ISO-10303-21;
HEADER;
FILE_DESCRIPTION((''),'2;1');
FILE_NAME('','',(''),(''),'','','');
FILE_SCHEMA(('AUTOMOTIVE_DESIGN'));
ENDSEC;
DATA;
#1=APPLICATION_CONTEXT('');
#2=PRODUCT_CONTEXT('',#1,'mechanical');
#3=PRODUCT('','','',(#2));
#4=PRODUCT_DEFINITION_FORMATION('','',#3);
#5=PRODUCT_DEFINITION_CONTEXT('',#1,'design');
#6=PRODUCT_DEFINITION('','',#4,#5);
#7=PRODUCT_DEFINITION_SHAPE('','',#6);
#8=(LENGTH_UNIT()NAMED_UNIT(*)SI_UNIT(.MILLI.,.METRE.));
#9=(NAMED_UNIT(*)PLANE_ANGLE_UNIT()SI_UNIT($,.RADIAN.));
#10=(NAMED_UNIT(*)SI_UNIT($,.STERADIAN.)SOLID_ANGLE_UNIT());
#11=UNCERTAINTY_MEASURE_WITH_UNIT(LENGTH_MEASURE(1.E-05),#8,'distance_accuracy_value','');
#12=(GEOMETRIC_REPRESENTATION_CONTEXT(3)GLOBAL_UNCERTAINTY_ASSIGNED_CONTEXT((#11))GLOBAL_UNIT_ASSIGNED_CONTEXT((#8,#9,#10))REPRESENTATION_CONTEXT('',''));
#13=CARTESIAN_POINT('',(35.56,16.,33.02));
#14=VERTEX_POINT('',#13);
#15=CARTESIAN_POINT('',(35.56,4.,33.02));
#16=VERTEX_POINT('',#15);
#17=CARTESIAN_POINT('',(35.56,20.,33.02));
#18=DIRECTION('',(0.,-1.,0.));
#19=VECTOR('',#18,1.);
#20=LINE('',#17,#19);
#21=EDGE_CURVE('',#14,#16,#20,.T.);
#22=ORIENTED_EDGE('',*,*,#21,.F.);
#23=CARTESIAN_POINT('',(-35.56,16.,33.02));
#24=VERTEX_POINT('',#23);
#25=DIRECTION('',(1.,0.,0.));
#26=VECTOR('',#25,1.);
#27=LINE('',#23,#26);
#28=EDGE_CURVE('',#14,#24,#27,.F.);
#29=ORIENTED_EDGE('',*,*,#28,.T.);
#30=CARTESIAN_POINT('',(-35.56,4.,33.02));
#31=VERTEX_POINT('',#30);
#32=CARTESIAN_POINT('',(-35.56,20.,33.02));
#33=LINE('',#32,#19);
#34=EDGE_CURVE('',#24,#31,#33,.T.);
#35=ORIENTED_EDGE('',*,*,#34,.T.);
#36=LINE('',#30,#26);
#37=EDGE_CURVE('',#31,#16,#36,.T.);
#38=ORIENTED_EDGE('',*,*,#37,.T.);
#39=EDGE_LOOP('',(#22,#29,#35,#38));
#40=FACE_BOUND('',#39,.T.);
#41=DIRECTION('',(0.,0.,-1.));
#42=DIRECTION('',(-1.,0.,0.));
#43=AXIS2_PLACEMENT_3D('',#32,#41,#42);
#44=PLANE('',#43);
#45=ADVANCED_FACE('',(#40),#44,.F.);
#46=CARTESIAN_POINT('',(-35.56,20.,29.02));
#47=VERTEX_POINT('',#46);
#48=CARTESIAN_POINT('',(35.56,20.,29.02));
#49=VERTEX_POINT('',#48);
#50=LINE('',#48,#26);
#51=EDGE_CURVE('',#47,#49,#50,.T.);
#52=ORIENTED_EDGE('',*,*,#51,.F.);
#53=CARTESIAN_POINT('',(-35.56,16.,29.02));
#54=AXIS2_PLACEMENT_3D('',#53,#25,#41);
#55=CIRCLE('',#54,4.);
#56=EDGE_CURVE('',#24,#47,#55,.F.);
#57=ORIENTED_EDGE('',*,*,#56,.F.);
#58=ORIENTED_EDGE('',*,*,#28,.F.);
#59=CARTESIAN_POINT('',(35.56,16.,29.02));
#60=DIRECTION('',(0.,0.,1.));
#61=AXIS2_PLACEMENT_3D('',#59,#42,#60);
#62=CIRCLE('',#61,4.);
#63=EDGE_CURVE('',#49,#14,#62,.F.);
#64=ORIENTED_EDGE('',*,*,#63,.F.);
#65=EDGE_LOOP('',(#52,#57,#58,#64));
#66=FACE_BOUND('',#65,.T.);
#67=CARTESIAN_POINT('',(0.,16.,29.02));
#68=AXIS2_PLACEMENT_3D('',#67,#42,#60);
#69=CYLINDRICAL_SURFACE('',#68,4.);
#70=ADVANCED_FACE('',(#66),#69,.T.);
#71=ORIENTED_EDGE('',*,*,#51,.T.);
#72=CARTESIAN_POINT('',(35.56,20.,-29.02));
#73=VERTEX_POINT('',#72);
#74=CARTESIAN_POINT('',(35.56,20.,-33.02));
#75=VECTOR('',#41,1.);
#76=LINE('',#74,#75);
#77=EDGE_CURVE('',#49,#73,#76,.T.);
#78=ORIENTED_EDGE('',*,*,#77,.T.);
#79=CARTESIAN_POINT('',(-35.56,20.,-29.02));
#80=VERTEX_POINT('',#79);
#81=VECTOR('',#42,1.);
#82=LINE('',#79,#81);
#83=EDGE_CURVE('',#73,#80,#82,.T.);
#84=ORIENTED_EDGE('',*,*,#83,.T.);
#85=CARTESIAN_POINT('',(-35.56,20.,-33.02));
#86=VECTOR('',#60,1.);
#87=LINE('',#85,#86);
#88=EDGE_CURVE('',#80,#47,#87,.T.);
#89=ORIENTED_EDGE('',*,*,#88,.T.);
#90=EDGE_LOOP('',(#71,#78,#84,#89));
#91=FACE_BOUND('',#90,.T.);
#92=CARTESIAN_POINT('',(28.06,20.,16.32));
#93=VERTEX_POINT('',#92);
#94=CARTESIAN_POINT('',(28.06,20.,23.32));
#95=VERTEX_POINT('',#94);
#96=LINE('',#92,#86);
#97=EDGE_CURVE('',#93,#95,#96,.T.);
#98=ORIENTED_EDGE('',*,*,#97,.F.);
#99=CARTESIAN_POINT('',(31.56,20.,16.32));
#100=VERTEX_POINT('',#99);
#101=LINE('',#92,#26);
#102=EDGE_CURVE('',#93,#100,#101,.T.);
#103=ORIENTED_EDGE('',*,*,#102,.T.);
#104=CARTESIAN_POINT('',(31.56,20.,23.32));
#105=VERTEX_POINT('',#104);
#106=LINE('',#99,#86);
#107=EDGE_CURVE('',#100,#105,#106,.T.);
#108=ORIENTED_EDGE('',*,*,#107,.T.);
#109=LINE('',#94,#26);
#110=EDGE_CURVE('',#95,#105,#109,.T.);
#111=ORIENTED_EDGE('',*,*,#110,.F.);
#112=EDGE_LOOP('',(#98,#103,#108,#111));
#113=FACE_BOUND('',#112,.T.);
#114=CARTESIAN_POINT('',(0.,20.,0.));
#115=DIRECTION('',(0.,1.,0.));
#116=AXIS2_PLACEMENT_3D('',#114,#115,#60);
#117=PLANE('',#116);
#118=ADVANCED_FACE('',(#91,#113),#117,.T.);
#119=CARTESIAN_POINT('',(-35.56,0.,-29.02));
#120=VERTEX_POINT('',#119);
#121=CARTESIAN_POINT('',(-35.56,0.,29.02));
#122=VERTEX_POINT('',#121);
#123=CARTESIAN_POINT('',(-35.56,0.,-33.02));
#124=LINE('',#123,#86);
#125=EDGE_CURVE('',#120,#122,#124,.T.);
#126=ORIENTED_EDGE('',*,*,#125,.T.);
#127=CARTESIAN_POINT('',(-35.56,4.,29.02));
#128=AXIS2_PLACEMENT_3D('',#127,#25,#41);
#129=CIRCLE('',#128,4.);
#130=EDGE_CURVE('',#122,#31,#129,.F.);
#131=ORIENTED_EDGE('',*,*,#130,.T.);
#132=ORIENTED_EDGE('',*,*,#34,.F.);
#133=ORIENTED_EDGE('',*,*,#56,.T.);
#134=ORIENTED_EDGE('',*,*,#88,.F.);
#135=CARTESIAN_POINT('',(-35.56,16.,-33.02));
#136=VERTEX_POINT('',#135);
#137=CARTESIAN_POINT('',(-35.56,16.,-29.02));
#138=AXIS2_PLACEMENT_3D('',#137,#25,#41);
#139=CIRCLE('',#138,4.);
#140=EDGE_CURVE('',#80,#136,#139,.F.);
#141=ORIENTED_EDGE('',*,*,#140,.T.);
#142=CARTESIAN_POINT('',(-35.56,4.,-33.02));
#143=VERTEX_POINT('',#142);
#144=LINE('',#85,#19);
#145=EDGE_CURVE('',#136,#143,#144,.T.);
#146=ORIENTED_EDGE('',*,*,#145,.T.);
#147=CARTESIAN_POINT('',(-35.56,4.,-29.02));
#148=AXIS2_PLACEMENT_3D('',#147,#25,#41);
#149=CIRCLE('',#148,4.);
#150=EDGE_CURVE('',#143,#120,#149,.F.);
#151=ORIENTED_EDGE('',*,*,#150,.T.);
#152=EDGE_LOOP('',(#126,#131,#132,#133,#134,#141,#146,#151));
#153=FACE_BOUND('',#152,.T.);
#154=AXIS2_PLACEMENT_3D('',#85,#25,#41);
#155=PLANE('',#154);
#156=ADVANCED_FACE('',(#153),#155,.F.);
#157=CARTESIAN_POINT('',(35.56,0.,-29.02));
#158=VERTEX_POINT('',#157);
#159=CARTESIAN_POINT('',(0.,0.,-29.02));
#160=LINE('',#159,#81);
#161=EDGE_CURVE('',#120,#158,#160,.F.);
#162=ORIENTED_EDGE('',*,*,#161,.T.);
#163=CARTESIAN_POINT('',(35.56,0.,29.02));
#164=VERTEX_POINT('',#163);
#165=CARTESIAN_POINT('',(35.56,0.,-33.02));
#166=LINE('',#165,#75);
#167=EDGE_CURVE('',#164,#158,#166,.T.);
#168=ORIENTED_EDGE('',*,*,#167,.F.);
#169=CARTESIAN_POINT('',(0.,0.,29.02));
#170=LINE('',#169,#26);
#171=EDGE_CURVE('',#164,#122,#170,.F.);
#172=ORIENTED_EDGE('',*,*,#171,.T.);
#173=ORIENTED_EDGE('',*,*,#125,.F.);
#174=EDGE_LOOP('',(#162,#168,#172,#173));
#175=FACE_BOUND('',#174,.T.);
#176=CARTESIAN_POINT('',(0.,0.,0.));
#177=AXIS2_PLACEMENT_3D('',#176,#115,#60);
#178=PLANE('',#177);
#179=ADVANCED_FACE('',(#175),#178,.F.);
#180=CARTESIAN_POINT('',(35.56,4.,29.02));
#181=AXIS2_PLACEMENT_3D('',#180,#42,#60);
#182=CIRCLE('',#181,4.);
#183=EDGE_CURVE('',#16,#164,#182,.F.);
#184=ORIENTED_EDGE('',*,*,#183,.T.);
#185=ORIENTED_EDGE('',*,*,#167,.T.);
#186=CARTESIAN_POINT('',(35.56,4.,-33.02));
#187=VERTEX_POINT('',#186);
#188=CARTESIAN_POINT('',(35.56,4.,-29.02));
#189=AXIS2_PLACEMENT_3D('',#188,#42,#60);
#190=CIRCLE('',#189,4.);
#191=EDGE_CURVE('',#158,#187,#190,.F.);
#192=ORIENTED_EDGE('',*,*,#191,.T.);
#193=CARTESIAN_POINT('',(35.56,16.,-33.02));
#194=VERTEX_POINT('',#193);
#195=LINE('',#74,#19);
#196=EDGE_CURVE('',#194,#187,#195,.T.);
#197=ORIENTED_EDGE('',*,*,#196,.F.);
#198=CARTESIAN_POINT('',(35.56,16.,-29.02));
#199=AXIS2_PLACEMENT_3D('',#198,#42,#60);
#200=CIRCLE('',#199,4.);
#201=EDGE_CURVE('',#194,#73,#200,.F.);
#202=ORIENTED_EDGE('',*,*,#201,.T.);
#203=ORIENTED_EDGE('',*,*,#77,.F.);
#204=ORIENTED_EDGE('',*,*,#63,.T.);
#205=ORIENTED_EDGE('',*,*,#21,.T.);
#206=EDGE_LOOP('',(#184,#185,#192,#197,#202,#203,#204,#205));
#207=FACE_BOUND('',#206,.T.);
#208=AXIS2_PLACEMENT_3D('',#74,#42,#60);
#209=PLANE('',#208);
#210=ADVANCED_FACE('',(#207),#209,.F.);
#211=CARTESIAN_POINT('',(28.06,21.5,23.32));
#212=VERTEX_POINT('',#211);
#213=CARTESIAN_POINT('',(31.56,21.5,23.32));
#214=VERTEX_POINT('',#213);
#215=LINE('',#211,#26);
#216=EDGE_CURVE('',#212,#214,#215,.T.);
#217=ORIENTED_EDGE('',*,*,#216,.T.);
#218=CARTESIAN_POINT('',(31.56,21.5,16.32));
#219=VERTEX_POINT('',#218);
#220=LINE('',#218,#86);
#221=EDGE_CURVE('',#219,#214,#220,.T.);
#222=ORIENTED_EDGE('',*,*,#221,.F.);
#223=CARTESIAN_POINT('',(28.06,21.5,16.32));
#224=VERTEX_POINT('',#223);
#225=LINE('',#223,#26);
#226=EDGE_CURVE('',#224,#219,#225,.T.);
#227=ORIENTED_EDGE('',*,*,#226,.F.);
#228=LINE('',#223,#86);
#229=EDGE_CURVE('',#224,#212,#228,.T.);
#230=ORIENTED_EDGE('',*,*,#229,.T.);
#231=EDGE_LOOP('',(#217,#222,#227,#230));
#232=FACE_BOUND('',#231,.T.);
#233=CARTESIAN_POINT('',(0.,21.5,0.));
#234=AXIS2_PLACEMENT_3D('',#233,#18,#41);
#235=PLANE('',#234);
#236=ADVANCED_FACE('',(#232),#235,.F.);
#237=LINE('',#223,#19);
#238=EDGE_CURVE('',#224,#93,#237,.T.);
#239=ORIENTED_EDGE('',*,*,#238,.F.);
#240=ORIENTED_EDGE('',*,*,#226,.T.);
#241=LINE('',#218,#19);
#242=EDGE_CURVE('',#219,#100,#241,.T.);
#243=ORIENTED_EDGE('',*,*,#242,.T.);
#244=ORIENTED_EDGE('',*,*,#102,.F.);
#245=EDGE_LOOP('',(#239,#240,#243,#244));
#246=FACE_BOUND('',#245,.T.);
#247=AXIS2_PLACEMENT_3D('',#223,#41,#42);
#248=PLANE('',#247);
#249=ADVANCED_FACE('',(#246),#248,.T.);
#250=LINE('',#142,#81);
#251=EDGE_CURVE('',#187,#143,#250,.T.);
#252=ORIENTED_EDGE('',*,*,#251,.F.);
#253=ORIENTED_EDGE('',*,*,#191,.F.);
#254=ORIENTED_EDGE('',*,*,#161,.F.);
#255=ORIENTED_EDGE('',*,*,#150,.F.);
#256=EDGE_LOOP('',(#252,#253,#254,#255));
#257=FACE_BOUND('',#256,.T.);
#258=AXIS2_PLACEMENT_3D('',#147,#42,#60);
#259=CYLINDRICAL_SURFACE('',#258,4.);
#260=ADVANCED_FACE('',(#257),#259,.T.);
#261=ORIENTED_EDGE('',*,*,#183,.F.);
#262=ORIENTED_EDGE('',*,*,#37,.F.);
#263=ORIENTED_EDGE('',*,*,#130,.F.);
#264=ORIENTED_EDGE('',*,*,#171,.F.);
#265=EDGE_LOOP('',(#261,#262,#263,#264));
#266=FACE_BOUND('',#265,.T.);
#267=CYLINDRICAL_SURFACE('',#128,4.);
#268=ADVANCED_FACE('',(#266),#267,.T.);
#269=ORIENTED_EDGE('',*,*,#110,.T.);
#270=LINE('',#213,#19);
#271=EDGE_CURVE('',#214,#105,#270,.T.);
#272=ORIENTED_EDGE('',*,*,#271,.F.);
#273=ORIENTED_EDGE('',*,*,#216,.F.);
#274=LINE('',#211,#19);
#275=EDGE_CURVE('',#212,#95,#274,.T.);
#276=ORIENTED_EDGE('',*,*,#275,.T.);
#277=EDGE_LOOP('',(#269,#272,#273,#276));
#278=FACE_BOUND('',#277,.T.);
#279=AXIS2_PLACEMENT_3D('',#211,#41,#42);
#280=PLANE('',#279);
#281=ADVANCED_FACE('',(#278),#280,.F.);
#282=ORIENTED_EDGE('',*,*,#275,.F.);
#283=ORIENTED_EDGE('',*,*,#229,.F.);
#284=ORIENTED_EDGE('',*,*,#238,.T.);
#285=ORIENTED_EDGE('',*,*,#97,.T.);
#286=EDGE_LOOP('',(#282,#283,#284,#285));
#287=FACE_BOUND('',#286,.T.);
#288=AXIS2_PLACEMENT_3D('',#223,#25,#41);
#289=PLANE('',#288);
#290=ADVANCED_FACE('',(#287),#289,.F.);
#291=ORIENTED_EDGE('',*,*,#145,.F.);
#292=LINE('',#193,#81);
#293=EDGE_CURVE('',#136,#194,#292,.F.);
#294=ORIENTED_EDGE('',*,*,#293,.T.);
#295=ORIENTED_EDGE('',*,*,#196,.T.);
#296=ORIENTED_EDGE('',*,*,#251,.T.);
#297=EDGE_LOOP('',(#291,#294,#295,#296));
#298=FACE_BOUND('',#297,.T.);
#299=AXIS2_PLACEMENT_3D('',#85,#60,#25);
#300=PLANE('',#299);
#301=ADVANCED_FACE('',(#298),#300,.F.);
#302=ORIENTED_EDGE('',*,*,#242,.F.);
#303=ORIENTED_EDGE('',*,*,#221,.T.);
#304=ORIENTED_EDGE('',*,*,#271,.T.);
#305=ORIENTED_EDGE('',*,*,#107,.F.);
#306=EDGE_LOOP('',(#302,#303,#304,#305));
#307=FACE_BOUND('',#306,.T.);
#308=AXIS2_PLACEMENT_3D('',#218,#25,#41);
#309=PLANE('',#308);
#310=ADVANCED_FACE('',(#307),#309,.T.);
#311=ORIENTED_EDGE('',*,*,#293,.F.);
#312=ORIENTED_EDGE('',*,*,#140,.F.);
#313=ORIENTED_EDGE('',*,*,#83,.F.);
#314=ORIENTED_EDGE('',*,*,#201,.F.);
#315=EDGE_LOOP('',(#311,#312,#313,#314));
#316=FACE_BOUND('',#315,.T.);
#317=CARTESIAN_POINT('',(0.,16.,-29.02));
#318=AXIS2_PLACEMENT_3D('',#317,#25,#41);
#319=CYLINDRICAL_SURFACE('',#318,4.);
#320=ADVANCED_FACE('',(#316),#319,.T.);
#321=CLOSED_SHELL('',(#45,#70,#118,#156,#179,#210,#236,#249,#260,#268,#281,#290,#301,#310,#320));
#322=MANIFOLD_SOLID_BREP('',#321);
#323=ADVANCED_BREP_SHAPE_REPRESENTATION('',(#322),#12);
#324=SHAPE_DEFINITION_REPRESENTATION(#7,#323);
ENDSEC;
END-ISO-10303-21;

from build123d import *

# Parameters (mm, degrees)
SKETCH1_W           = 71.12
SKETCH1_H           = 66.04
BOSS_EXTRUDE1_DEPTH = 20
FILLET1_R           = 4
SKETCH2_W           = 3.5
SKETCH2_H           = 7
BOSS_EXTRUDE2_DEPTH = 1.5


with BuildPart() as part:
    # Sketch1 → Boss-Extrude1 (new body)
    with BuildSketch(Plane(origin=(0, 0, 0), x_dir=(1, 0, 0), z_dir=(0, 1, 0))):
        Rectangle(SKETCH1_W, SKETCH1_H)
    extrude(amount=BOSS_EXTRUDE1_DEPTH)

    # Fillet1
    fillet1_edges = [part.edges().sort_by_distance(p)[0] for p in [
        (0, 20, 33.02),
        (0, 0, 33.02),
        (0, 0, -33.02),
        (0, 20, -33.02),
    ]]
    fillet(fillet1_edges, radius=FILLET1_R)

    # Sketch2 → Boss-Extrude2 (add)
    with BuildSketch(Plane(origin=(0, 20, 0), x_dir=(1, 0, 0), z_dir=(0, 1, 0))):
        with Locations((29.81, -19.82)):
            Rectangle(SKETCH2_W, SKETCH2_H)
    extrude(amount=BOSS_EXTRUDE2_DEPTH)


solid = part.part
